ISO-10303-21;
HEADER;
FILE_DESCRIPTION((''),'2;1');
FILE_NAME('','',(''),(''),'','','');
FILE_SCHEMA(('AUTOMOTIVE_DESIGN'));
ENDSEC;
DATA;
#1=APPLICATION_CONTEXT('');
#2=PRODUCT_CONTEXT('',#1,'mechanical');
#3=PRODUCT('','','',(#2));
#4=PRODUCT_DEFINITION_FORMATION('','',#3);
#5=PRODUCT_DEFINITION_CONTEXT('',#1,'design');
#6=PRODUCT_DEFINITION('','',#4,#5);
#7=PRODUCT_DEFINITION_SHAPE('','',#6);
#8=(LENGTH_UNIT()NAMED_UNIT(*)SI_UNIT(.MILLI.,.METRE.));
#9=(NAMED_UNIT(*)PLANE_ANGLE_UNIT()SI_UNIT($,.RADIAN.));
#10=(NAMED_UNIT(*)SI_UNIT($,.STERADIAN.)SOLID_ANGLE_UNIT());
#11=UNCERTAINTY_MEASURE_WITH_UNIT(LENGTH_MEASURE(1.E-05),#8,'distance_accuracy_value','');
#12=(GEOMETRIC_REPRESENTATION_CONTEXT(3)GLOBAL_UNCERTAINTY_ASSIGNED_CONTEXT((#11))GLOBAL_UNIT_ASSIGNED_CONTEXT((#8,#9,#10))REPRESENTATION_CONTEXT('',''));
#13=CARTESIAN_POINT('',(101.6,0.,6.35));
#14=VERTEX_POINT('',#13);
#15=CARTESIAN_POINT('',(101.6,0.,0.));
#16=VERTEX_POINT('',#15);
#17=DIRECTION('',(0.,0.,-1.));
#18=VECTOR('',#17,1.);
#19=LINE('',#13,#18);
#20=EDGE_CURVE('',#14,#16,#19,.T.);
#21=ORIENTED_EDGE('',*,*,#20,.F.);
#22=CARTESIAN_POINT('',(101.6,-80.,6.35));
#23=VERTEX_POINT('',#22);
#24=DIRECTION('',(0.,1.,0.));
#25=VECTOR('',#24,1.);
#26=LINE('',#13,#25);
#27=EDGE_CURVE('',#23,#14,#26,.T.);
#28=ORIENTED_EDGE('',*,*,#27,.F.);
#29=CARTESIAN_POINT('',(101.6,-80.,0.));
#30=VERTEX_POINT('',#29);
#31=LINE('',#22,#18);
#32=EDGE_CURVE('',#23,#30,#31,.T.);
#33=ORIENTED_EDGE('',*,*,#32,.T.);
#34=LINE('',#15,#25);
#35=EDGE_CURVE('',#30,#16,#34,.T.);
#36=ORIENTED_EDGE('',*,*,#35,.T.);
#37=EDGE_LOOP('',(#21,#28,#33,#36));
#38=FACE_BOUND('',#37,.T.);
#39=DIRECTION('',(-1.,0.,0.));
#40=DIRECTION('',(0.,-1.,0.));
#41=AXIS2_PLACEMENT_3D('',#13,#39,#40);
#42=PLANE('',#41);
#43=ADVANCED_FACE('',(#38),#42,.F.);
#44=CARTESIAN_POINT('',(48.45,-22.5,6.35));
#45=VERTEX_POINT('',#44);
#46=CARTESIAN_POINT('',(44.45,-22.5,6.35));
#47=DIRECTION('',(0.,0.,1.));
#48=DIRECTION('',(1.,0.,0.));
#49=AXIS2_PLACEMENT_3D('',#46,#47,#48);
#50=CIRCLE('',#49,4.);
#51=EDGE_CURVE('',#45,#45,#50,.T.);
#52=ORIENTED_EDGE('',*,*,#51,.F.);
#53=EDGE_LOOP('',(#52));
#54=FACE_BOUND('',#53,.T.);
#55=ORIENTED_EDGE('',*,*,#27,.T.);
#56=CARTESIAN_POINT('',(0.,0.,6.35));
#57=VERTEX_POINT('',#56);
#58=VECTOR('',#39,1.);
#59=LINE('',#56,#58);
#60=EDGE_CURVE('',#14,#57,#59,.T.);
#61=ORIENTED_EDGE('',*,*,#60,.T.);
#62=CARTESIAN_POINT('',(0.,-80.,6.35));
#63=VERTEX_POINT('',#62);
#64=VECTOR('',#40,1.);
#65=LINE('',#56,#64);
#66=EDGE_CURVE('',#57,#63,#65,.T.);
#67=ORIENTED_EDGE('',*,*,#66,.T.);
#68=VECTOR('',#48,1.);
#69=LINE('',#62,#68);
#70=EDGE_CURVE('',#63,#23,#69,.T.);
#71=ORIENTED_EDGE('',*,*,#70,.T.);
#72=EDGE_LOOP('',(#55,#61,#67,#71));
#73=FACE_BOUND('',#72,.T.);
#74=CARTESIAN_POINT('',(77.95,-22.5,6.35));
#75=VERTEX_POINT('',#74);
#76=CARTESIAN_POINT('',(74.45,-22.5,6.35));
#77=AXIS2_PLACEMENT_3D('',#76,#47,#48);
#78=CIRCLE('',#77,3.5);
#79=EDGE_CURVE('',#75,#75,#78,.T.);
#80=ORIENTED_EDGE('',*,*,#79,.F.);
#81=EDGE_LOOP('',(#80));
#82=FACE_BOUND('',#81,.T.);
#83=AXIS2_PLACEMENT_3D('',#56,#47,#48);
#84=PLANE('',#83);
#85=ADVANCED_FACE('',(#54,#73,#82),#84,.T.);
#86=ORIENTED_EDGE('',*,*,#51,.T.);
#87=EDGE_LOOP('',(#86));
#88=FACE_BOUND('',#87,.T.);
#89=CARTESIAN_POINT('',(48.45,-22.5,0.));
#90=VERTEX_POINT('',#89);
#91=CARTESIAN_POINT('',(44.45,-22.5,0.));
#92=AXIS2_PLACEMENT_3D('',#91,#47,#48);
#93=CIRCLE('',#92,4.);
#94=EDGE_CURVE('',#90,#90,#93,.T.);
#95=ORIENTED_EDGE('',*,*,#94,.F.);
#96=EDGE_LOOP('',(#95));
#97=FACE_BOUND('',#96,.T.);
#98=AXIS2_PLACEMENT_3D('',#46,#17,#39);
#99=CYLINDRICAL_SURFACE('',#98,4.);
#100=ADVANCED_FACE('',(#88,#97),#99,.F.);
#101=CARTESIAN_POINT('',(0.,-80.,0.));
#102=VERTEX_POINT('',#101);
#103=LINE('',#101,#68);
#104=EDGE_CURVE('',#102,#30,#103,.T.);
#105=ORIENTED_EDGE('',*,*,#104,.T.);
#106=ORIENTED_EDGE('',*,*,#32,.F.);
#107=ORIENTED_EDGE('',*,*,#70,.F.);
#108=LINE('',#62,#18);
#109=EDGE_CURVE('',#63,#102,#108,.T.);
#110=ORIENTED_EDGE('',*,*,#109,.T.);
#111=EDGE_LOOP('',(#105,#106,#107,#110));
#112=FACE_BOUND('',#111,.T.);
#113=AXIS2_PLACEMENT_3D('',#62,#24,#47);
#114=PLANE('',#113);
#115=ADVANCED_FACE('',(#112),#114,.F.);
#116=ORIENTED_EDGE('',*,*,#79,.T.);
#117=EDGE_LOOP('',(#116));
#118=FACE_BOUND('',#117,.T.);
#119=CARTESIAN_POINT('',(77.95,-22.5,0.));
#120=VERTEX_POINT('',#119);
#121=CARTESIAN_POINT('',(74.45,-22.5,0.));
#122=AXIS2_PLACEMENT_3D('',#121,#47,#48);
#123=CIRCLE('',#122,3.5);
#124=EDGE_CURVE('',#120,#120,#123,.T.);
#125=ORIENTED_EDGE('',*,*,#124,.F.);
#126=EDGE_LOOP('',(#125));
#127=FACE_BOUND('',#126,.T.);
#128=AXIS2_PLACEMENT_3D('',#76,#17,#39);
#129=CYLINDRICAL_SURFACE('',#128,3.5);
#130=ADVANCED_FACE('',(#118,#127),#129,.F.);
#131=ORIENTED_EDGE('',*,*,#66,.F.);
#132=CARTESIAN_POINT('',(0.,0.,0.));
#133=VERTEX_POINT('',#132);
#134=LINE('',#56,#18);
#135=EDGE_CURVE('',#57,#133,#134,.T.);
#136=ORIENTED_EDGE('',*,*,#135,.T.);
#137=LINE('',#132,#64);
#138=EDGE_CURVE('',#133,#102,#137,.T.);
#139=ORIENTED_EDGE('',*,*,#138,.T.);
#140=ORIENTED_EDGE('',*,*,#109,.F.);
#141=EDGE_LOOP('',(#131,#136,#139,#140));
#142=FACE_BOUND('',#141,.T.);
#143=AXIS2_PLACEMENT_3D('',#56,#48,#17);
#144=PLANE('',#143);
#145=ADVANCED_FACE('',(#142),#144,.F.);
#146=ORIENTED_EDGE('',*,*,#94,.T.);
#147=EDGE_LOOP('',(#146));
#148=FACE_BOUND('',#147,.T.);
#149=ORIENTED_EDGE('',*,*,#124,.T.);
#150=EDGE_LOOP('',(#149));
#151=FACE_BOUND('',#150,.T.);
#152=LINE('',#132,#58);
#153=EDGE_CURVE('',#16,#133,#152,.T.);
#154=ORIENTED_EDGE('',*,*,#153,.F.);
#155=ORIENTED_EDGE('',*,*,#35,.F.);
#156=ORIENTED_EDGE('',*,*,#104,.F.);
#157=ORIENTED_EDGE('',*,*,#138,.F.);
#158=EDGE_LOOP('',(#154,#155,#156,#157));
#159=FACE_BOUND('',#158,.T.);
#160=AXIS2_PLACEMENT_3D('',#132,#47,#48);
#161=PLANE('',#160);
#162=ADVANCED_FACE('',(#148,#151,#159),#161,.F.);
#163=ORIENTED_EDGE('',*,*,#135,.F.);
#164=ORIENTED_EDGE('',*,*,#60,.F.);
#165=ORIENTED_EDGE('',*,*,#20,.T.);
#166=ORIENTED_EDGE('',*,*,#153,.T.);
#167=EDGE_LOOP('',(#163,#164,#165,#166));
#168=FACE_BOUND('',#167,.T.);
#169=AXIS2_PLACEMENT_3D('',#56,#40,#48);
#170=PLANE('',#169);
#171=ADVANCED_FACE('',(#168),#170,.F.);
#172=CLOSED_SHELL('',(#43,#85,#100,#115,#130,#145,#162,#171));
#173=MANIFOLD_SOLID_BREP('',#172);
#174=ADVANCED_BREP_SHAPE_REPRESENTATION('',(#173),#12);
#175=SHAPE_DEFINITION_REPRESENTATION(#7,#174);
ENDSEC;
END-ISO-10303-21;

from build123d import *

# Parameters (mm, degrees)
SKETCH1_W           = 101.6
SKETCH1_H           = 80
SKETCH1_R           = 4
SKETCH1_R_2         = 3.5
BOSS_EXTRUDE1_DEPTH = 6.35


with BuildPart() as part:
    # Sketch1 → Boss-Extrude1 (new body)
    with BuildSketch(Plane.XY):
        with Locations((50.8, -40)):
            Rectangle(SKETCH1_W, SKETCH1_H)
        with Locations((44.45, -22.5)):
            Circle(SKETCH1_R, mode=Mode.SUBTRACT)
        with Locations((74.45, -22.5)):
            Circle(SKETCH1_R_2, mode=Mode.SUBTRACT)
    extrude(amount=BOSS_EXTRUDE1_DEPTH)


solid = part.part
